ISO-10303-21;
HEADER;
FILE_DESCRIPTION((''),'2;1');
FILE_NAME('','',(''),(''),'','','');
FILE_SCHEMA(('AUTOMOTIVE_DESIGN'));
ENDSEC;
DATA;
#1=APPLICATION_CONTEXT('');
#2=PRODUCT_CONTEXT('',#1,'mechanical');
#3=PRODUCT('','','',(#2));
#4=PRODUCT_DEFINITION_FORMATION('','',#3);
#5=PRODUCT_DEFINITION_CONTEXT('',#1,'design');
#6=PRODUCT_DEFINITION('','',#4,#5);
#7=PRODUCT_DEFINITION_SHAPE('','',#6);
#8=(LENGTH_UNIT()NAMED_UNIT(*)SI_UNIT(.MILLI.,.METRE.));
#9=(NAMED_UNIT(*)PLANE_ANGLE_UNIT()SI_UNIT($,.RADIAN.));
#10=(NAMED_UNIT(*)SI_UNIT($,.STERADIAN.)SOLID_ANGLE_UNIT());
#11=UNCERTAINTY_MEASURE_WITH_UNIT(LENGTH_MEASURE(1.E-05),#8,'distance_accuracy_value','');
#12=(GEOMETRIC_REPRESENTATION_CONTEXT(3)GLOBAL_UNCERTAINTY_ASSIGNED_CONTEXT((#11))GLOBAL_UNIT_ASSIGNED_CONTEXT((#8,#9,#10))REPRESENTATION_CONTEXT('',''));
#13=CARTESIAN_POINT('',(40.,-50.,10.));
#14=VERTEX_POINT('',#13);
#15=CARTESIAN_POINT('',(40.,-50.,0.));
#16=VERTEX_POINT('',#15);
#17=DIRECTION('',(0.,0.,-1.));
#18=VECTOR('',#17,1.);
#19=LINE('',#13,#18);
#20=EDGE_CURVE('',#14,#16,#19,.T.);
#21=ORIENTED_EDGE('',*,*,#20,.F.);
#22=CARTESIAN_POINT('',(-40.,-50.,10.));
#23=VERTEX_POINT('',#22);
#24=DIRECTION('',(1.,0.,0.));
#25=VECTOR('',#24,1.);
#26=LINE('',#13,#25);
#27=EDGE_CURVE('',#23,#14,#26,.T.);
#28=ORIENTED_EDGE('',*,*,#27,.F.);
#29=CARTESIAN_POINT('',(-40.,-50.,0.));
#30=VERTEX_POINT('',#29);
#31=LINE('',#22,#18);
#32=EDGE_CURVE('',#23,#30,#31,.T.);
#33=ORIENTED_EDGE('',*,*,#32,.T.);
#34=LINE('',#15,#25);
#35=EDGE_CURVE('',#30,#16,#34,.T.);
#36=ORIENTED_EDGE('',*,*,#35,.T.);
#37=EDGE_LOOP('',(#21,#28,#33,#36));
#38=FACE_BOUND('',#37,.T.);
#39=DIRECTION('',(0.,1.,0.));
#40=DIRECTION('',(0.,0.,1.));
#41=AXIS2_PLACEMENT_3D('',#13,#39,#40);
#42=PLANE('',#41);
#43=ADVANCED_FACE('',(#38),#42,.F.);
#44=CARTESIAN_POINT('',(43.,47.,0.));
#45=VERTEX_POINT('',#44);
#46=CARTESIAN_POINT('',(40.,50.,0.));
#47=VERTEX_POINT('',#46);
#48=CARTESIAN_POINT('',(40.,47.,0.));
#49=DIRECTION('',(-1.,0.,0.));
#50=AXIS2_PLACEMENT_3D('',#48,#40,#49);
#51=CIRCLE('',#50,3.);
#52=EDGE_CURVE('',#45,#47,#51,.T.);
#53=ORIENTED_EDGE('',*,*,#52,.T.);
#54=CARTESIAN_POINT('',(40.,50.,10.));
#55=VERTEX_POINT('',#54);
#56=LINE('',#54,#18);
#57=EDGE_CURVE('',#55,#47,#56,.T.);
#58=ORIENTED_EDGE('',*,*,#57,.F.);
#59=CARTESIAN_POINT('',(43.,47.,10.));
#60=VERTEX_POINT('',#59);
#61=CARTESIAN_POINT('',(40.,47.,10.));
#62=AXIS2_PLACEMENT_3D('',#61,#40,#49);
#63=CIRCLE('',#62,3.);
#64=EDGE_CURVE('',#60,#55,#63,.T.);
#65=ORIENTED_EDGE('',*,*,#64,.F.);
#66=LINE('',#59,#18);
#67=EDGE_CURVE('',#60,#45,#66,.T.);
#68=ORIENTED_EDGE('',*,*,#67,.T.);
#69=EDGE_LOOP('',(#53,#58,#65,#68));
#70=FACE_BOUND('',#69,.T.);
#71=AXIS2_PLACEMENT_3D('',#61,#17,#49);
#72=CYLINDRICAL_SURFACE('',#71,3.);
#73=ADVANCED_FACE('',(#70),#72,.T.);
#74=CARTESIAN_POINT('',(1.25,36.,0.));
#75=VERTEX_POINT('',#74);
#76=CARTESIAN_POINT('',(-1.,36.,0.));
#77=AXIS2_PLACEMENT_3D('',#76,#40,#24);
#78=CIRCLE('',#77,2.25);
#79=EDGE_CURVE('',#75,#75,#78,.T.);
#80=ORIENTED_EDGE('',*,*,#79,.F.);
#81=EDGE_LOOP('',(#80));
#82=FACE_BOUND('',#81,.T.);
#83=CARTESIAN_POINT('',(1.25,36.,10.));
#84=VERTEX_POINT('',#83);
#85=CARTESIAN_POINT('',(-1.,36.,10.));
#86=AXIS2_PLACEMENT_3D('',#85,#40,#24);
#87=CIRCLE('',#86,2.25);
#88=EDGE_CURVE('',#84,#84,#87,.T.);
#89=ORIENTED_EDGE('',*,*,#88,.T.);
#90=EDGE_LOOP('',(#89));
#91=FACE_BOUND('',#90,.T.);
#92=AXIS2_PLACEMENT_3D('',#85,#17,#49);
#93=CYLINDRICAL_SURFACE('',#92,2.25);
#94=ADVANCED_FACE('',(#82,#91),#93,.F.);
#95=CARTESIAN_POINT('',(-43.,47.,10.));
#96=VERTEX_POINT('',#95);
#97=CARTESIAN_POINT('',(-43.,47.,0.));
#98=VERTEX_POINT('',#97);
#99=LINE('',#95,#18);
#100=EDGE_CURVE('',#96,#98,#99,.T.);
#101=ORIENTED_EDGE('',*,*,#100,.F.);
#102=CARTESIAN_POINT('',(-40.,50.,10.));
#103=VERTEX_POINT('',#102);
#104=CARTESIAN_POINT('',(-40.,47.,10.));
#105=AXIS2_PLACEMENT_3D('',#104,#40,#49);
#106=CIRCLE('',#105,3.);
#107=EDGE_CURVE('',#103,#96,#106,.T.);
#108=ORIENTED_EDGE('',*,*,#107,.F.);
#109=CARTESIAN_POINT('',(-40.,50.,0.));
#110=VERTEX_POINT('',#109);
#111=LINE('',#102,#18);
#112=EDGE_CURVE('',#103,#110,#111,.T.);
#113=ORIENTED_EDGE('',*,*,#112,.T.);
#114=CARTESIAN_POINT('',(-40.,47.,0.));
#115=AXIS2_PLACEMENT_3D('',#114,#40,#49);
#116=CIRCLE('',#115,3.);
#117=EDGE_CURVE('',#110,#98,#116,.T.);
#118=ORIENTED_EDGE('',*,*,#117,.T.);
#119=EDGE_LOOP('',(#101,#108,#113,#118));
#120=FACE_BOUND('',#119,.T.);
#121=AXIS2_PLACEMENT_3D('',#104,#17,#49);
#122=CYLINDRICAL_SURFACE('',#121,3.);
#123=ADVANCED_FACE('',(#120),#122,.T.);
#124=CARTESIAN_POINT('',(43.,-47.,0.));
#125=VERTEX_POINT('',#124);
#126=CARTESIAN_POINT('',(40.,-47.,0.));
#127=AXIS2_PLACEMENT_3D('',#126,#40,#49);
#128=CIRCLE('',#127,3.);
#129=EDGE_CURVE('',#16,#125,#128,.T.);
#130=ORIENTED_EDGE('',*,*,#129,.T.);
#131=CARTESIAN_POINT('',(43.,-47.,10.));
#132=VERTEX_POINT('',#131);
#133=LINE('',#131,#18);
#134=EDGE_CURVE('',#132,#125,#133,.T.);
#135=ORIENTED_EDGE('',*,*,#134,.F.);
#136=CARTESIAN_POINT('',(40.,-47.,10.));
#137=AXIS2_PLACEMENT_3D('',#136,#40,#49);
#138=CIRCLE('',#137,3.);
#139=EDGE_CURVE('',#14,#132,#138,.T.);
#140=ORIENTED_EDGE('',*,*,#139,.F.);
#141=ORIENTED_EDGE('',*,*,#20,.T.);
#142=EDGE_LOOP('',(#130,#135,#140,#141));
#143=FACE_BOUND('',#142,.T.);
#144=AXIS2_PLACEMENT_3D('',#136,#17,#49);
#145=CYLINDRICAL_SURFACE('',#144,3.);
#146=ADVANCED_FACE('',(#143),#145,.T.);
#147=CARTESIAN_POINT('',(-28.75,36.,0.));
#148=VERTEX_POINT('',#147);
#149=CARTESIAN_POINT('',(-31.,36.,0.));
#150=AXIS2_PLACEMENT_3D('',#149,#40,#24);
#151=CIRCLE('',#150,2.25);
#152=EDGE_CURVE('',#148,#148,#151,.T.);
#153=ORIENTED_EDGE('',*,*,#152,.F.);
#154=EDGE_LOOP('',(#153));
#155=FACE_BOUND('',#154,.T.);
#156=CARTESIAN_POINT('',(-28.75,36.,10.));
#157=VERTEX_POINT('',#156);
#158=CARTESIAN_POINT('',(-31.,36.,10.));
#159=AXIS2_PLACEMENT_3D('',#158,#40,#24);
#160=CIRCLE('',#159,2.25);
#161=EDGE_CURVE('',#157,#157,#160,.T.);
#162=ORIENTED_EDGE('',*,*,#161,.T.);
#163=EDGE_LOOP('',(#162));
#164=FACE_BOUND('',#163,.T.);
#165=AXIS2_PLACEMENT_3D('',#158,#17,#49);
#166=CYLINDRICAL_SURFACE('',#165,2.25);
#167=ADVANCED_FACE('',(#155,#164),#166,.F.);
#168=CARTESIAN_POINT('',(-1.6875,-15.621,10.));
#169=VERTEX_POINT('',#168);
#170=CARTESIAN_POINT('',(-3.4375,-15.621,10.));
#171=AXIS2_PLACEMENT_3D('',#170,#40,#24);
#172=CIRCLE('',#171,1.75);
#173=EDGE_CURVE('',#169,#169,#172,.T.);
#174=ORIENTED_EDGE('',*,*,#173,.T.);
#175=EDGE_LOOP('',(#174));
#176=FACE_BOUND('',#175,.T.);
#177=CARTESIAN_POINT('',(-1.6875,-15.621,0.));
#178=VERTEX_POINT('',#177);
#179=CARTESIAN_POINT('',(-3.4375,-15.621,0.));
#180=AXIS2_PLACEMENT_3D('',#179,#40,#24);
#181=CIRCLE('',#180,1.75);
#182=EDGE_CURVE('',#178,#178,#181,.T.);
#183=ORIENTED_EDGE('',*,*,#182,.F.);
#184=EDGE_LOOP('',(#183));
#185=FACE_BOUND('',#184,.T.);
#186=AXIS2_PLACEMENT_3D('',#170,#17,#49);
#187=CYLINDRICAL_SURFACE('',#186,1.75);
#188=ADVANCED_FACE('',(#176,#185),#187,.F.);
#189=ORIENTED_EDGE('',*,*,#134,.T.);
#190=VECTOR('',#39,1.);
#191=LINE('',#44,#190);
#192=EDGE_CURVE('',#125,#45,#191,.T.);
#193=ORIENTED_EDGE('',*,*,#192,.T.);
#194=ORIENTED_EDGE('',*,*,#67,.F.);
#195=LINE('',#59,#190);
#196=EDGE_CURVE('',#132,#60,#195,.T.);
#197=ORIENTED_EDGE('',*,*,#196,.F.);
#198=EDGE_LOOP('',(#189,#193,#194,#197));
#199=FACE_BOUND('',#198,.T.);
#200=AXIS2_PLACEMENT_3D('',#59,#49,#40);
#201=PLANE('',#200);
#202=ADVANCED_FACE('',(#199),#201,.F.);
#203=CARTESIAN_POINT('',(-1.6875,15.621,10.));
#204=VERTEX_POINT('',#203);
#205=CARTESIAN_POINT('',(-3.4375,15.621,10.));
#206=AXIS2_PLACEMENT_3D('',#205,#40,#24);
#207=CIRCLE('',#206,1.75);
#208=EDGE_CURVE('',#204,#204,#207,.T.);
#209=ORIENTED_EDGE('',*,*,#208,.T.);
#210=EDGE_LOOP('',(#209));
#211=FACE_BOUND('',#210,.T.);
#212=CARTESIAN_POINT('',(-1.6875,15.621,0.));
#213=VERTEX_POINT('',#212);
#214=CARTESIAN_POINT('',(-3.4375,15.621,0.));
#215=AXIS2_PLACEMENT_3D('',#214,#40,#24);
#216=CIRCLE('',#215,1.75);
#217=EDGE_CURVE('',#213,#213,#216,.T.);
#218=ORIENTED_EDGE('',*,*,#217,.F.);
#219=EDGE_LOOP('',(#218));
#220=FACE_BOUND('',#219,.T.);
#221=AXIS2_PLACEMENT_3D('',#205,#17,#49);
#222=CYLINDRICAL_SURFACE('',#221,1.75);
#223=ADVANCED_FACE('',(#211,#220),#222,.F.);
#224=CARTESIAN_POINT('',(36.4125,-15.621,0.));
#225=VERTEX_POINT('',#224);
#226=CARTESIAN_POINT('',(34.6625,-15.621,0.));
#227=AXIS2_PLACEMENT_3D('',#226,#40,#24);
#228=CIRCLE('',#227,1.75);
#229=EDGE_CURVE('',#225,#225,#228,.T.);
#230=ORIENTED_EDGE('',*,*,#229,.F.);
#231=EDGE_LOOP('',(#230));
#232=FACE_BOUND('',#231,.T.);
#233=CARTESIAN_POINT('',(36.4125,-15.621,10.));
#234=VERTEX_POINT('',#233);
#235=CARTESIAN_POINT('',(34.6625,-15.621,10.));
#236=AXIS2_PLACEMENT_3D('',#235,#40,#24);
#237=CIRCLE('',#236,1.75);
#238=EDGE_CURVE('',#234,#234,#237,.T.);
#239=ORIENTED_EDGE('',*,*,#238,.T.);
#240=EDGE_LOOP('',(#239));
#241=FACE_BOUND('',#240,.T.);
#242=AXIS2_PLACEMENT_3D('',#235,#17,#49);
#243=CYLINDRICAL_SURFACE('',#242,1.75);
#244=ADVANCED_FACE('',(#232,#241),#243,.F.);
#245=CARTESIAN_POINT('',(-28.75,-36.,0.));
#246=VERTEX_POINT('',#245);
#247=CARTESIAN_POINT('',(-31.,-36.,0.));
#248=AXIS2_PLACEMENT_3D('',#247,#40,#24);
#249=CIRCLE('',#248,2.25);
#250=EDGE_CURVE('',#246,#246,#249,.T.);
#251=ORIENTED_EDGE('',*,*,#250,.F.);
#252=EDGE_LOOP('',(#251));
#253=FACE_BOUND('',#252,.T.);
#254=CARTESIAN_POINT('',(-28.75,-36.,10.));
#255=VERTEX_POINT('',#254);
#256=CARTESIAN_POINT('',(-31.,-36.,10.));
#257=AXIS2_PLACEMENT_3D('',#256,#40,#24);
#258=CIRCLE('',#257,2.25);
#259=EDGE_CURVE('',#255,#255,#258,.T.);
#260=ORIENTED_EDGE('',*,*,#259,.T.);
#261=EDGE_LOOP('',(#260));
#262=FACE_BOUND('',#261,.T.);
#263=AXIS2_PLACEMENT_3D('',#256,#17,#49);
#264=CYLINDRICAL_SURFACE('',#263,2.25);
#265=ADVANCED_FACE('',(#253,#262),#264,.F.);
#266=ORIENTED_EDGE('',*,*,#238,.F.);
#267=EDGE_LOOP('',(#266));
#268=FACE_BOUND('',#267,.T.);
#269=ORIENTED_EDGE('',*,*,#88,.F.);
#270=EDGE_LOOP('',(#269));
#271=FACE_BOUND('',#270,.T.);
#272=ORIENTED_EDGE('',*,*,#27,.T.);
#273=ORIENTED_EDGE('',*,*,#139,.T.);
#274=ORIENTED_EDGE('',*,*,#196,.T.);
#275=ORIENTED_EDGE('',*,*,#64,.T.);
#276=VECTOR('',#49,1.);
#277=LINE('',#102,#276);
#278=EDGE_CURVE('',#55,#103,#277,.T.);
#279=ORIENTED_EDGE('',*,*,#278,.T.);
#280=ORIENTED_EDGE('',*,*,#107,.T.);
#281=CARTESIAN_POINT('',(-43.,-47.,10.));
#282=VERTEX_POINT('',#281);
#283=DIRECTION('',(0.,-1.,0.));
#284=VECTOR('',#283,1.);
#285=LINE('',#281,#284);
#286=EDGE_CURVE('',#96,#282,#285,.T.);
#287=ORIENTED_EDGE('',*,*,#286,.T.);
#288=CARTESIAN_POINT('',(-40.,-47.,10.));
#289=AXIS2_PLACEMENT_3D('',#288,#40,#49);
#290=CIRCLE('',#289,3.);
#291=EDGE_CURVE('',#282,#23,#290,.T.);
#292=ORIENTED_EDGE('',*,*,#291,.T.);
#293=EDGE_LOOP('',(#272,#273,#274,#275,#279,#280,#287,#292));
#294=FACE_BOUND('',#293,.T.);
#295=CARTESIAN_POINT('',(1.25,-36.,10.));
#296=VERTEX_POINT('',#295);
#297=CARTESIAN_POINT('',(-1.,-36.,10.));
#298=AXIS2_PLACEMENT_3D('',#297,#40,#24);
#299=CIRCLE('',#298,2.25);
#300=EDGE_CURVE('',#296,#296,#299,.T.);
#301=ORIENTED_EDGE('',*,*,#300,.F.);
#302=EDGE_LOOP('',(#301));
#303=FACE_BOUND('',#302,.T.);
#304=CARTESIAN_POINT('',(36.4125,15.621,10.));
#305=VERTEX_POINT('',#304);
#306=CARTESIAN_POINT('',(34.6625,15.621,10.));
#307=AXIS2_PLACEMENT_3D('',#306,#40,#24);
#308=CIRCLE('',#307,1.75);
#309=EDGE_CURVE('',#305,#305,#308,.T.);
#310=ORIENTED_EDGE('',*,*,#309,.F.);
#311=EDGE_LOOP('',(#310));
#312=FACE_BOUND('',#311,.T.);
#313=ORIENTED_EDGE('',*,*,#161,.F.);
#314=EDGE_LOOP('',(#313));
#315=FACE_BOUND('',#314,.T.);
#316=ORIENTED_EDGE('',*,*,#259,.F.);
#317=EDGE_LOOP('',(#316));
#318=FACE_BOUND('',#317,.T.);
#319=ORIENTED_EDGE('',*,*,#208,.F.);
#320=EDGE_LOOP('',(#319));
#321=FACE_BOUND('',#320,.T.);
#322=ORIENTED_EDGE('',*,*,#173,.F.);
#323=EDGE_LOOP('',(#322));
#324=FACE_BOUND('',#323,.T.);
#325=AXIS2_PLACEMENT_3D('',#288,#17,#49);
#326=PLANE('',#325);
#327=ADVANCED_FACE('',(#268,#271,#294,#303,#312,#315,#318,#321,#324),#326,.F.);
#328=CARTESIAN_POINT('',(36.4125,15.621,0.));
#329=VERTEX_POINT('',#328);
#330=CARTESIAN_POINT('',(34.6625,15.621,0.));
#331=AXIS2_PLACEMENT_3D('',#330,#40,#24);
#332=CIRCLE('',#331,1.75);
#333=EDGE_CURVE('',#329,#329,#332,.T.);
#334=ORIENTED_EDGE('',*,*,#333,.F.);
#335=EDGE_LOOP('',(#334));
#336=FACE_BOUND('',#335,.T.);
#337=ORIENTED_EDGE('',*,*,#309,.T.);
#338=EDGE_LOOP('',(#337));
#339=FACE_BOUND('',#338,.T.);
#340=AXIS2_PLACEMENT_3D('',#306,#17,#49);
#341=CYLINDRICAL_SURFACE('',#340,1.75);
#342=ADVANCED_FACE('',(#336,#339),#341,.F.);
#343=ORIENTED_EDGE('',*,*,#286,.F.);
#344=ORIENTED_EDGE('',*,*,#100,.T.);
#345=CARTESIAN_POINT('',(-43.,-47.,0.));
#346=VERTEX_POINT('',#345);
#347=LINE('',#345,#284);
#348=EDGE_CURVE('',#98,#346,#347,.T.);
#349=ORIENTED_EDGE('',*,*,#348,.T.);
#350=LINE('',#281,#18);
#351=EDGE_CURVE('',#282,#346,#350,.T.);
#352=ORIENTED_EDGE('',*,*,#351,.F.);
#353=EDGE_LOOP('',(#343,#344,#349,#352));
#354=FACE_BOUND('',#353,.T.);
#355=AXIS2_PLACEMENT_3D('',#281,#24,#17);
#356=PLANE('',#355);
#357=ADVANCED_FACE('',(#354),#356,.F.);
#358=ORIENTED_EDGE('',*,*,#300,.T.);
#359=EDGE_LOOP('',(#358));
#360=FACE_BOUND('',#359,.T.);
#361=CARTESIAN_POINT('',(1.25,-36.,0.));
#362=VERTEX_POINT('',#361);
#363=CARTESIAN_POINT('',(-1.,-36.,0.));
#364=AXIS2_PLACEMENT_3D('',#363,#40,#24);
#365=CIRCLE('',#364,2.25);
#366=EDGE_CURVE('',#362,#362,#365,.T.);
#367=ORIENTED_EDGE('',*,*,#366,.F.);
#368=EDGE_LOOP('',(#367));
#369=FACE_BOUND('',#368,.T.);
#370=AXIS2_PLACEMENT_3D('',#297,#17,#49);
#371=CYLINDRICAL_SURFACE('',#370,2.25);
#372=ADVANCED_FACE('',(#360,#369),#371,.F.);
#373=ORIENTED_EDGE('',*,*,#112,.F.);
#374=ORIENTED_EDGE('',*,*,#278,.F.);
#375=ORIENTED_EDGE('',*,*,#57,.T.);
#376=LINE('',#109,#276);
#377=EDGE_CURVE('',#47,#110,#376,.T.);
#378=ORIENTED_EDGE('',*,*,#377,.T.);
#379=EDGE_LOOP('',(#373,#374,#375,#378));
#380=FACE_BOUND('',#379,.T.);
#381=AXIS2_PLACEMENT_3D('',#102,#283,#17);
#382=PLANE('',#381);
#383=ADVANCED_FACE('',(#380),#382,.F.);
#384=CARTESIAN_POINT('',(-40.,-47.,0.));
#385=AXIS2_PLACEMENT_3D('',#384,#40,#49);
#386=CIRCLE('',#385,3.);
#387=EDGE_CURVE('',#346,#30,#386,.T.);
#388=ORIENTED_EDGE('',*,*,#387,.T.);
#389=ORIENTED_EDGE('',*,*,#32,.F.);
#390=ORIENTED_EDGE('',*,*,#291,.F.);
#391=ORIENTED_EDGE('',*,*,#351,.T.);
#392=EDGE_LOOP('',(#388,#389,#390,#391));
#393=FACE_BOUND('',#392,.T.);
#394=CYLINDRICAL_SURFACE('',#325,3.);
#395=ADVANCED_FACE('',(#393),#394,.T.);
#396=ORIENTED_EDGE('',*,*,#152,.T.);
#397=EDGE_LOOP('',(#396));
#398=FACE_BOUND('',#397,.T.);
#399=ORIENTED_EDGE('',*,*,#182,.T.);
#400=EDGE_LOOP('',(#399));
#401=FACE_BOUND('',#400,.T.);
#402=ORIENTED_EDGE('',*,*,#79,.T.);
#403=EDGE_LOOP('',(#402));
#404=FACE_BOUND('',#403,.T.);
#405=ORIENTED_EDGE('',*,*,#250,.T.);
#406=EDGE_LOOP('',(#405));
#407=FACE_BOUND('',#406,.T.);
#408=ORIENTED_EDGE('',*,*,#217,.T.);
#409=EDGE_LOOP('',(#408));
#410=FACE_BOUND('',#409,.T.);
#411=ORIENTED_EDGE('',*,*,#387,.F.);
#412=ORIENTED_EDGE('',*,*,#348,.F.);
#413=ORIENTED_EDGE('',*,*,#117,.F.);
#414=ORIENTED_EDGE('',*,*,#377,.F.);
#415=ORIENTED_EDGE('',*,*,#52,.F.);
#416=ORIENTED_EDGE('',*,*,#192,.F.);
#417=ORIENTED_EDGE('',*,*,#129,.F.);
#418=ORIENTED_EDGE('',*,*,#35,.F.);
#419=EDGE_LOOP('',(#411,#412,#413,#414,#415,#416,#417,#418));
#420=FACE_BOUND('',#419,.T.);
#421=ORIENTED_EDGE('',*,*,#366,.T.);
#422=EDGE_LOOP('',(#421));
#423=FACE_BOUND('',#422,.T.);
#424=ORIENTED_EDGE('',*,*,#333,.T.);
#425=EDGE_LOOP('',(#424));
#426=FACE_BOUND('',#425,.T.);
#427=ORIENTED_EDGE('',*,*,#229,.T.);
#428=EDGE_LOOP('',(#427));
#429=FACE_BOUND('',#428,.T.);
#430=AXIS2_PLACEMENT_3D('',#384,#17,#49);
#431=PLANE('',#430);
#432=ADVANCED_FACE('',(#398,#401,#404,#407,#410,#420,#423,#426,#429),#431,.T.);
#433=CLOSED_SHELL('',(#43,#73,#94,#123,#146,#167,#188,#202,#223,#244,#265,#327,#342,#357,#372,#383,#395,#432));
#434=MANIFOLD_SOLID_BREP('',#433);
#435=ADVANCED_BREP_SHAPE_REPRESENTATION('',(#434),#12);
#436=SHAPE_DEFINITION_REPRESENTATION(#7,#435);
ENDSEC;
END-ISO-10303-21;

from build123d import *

# Parameters (mm, degrees)
SKETCH1_R             = 2.25
SKETCH1_R_2           = 1.75
PLATE_THICKNESS_DEPTH = 10


with BuildPart() as part:
    # Sketch1 → Plate_thickness (new body)
    with BuildSketch(Plane.XY):
        with BuildLine():
            Line((-43, -47), (-43, 47))
            ThreePointArc((-43, 47), (-42.121320344, 49.121320344), (-40, 50))
            Line((-40, 50), (39.999999985, 50))
            ThreePointArc((39.999999985, 50), (42.121320329, 49.121320344), (42.999999985, 47))
            Line((42.999999985, 47), (42.999999985, -47))
            ThreePointArc((42.999999985, -47), (42.121320329, -49.121320344), (39.999999985, -50))
            Line((39.999999985, -50), (-40, -50))
            ThreePointArc((-40, -50), (-42.121320344, -49.121320344), (-43, -47))
        make_face()
        with Locations((-31, -36)):
            Circle(SKETCH1_R, mode=Mode.SUBTRACT)
        with Locations((-1, -36)):
            Circle(SKETCH1_R, mode=Mode.SUBTRACT)
        with Locations((-3.4375, -15.621)):
            Circle(SKETCH1_R_2, mode=Mode.SUBTRACT)
        with Locations((34.6625, -15.621)):
            Circle(SKETCH1_R_2, mode=Mode.SUBTRACT)
        with Locations((-3.4375, 15.621)):
            Circle(SKETCH1_R_2, mode=Mode.SUBTRACT)
        with Locations((-31, 36)):
            Circle(SKETCH1_R, mode=Mode.SUBTRACT)
        with Locations((-1, 36)):
            Circle(SKETCH1_R, mode=Mode.SUBTRACT)
        with Locations((34.6625, 15.621)):
            Circle(SKETCH1_R_2, mode=Mode.SUBTRACT)
    extrude(amount=PLATE_THICKNESS_DEPTH)


solid = part.part
